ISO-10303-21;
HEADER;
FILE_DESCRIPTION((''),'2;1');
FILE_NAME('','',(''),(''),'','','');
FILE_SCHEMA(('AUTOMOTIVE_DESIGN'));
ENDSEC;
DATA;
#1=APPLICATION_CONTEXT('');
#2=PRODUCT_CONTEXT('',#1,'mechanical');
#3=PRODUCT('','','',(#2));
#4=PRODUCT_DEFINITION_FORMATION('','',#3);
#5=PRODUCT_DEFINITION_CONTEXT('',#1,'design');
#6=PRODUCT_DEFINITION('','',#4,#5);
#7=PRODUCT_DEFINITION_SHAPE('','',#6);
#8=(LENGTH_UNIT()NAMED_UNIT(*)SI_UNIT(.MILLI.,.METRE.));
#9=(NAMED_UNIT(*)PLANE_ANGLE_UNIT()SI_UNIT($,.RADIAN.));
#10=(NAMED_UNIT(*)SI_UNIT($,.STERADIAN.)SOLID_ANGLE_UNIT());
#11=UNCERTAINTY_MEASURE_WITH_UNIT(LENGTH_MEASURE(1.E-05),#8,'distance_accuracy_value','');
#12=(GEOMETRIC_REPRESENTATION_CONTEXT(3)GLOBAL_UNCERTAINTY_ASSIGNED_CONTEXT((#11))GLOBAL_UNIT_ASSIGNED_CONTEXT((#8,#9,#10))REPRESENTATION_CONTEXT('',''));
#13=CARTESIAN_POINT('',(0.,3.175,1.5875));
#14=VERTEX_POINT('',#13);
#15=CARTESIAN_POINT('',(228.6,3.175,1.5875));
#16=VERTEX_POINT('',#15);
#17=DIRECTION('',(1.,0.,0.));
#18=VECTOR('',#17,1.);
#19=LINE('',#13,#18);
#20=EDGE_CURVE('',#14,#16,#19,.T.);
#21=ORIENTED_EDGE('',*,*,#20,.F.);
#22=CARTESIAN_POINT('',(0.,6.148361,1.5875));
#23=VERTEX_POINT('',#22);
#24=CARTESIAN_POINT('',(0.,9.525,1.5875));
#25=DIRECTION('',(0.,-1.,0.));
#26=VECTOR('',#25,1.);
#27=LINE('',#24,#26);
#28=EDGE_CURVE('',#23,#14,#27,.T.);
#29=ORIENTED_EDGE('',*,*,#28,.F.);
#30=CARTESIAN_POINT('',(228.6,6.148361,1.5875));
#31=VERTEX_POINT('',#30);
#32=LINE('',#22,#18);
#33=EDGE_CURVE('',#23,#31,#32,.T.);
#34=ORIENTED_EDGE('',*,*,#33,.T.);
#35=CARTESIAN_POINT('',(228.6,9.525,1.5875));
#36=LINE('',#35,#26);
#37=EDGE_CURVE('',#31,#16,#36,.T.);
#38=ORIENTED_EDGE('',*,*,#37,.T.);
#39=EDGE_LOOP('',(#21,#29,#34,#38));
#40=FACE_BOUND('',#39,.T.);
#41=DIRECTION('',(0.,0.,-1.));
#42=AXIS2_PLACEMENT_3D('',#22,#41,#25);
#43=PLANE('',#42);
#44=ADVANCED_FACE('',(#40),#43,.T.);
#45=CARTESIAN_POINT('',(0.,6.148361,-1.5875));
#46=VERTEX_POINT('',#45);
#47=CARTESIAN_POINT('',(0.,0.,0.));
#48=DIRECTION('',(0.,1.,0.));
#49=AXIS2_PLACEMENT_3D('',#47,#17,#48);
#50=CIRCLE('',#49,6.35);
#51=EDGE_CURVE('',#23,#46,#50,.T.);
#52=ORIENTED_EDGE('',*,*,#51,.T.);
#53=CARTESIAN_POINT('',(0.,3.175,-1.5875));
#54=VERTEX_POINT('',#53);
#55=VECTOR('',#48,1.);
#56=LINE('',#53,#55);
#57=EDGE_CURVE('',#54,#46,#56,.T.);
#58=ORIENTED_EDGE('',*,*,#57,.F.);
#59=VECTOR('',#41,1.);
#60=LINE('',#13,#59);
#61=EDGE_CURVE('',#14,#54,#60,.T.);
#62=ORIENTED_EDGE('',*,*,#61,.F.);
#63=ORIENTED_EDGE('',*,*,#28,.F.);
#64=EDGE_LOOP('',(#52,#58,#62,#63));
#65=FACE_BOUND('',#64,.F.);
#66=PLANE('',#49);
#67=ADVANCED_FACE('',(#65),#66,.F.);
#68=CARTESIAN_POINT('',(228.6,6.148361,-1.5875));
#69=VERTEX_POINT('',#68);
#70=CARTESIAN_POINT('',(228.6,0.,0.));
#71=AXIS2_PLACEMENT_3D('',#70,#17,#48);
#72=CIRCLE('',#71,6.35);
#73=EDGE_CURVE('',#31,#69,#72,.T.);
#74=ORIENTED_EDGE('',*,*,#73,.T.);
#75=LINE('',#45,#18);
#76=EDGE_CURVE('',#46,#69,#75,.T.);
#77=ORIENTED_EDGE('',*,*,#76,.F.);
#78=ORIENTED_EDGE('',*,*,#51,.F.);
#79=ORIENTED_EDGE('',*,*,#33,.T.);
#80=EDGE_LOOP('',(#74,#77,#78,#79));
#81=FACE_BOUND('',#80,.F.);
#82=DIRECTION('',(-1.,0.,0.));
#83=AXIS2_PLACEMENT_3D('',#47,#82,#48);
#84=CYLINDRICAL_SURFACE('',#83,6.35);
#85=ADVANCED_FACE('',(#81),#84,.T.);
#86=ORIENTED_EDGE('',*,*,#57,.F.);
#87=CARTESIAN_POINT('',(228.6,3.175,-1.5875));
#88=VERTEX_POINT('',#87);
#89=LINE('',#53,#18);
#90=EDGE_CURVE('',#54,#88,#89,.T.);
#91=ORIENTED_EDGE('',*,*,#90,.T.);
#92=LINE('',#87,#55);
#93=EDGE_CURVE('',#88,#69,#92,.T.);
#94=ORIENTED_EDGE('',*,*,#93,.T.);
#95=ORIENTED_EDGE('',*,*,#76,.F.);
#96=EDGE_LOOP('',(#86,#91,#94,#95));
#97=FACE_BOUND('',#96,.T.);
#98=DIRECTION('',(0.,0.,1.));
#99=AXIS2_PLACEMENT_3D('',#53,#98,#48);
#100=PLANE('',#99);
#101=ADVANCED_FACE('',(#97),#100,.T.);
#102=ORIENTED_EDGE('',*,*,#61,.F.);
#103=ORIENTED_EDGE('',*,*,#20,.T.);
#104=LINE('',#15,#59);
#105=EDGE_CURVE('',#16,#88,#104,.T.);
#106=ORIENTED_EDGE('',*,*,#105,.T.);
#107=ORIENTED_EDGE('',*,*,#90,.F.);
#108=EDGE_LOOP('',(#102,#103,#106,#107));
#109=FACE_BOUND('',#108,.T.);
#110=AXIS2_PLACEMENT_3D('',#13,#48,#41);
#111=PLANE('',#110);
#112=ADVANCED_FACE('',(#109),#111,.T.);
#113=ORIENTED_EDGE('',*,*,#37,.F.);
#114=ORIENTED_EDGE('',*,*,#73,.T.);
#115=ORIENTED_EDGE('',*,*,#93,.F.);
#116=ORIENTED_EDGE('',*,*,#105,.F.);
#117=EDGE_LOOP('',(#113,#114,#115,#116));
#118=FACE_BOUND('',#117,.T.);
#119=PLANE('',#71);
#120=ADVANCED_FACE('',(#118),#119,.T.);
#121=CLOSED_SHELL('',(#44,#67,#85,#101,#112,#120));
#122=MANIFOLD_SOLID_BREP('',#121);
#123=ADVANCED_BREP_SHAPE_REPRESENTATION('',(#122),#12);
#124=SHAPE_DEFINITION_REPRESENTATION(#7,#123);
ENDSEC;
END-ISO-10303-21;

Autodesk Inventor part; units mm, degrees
ref_plane "YZ Plane" through (0, 0, 0) normal (1, 0, 0) x (0, 1, 0)
ref_plane "XZ Plane" through (0, 0, 0) normal (0, 1, 0) x (-1, 0, 0)
ref_plane "XY Plane" through (0, 0, 0) normal (0, 0, 1) x (1, 0, 0)
sketch "Sketch1" plane through (0, 0, 0) normal (1, 0, 0) x (0, 1, 0)
  circle A0 centre (0, 0) radius 6.35
  line L0 (9.525, 1.5875) -> (3.175, 1.5875)
  line L1 (3.175, 1.5875) -> (3.175, -1.5875)
  line L2 (3.175, -1.5875) -> (9.525, -1.5875)
  line L3 (9.525, -1.5875) -> (9.525, 1.5875)
  line L4 (9.525, 1.5875) -> (3.175, -1.5875) construction
  line L5 (3.175, 1.5875) -> (9.525, -1.5875) construction
  point P0 (6.35, 0)
  point P1 (6.1484, 1.5875)
  point P2 (6.1484, -1.5875)
  dimension "d0" = 12.7
  dimension "d1" = 3.175
  dimension "d2" = 6.35
extrude "Extrusion1" add sketch "Sketch1" along normal blind 228.6 contours L0 L1 L2 A0 picked at (0, 0)
properties part number "SteelDeadAxel"
